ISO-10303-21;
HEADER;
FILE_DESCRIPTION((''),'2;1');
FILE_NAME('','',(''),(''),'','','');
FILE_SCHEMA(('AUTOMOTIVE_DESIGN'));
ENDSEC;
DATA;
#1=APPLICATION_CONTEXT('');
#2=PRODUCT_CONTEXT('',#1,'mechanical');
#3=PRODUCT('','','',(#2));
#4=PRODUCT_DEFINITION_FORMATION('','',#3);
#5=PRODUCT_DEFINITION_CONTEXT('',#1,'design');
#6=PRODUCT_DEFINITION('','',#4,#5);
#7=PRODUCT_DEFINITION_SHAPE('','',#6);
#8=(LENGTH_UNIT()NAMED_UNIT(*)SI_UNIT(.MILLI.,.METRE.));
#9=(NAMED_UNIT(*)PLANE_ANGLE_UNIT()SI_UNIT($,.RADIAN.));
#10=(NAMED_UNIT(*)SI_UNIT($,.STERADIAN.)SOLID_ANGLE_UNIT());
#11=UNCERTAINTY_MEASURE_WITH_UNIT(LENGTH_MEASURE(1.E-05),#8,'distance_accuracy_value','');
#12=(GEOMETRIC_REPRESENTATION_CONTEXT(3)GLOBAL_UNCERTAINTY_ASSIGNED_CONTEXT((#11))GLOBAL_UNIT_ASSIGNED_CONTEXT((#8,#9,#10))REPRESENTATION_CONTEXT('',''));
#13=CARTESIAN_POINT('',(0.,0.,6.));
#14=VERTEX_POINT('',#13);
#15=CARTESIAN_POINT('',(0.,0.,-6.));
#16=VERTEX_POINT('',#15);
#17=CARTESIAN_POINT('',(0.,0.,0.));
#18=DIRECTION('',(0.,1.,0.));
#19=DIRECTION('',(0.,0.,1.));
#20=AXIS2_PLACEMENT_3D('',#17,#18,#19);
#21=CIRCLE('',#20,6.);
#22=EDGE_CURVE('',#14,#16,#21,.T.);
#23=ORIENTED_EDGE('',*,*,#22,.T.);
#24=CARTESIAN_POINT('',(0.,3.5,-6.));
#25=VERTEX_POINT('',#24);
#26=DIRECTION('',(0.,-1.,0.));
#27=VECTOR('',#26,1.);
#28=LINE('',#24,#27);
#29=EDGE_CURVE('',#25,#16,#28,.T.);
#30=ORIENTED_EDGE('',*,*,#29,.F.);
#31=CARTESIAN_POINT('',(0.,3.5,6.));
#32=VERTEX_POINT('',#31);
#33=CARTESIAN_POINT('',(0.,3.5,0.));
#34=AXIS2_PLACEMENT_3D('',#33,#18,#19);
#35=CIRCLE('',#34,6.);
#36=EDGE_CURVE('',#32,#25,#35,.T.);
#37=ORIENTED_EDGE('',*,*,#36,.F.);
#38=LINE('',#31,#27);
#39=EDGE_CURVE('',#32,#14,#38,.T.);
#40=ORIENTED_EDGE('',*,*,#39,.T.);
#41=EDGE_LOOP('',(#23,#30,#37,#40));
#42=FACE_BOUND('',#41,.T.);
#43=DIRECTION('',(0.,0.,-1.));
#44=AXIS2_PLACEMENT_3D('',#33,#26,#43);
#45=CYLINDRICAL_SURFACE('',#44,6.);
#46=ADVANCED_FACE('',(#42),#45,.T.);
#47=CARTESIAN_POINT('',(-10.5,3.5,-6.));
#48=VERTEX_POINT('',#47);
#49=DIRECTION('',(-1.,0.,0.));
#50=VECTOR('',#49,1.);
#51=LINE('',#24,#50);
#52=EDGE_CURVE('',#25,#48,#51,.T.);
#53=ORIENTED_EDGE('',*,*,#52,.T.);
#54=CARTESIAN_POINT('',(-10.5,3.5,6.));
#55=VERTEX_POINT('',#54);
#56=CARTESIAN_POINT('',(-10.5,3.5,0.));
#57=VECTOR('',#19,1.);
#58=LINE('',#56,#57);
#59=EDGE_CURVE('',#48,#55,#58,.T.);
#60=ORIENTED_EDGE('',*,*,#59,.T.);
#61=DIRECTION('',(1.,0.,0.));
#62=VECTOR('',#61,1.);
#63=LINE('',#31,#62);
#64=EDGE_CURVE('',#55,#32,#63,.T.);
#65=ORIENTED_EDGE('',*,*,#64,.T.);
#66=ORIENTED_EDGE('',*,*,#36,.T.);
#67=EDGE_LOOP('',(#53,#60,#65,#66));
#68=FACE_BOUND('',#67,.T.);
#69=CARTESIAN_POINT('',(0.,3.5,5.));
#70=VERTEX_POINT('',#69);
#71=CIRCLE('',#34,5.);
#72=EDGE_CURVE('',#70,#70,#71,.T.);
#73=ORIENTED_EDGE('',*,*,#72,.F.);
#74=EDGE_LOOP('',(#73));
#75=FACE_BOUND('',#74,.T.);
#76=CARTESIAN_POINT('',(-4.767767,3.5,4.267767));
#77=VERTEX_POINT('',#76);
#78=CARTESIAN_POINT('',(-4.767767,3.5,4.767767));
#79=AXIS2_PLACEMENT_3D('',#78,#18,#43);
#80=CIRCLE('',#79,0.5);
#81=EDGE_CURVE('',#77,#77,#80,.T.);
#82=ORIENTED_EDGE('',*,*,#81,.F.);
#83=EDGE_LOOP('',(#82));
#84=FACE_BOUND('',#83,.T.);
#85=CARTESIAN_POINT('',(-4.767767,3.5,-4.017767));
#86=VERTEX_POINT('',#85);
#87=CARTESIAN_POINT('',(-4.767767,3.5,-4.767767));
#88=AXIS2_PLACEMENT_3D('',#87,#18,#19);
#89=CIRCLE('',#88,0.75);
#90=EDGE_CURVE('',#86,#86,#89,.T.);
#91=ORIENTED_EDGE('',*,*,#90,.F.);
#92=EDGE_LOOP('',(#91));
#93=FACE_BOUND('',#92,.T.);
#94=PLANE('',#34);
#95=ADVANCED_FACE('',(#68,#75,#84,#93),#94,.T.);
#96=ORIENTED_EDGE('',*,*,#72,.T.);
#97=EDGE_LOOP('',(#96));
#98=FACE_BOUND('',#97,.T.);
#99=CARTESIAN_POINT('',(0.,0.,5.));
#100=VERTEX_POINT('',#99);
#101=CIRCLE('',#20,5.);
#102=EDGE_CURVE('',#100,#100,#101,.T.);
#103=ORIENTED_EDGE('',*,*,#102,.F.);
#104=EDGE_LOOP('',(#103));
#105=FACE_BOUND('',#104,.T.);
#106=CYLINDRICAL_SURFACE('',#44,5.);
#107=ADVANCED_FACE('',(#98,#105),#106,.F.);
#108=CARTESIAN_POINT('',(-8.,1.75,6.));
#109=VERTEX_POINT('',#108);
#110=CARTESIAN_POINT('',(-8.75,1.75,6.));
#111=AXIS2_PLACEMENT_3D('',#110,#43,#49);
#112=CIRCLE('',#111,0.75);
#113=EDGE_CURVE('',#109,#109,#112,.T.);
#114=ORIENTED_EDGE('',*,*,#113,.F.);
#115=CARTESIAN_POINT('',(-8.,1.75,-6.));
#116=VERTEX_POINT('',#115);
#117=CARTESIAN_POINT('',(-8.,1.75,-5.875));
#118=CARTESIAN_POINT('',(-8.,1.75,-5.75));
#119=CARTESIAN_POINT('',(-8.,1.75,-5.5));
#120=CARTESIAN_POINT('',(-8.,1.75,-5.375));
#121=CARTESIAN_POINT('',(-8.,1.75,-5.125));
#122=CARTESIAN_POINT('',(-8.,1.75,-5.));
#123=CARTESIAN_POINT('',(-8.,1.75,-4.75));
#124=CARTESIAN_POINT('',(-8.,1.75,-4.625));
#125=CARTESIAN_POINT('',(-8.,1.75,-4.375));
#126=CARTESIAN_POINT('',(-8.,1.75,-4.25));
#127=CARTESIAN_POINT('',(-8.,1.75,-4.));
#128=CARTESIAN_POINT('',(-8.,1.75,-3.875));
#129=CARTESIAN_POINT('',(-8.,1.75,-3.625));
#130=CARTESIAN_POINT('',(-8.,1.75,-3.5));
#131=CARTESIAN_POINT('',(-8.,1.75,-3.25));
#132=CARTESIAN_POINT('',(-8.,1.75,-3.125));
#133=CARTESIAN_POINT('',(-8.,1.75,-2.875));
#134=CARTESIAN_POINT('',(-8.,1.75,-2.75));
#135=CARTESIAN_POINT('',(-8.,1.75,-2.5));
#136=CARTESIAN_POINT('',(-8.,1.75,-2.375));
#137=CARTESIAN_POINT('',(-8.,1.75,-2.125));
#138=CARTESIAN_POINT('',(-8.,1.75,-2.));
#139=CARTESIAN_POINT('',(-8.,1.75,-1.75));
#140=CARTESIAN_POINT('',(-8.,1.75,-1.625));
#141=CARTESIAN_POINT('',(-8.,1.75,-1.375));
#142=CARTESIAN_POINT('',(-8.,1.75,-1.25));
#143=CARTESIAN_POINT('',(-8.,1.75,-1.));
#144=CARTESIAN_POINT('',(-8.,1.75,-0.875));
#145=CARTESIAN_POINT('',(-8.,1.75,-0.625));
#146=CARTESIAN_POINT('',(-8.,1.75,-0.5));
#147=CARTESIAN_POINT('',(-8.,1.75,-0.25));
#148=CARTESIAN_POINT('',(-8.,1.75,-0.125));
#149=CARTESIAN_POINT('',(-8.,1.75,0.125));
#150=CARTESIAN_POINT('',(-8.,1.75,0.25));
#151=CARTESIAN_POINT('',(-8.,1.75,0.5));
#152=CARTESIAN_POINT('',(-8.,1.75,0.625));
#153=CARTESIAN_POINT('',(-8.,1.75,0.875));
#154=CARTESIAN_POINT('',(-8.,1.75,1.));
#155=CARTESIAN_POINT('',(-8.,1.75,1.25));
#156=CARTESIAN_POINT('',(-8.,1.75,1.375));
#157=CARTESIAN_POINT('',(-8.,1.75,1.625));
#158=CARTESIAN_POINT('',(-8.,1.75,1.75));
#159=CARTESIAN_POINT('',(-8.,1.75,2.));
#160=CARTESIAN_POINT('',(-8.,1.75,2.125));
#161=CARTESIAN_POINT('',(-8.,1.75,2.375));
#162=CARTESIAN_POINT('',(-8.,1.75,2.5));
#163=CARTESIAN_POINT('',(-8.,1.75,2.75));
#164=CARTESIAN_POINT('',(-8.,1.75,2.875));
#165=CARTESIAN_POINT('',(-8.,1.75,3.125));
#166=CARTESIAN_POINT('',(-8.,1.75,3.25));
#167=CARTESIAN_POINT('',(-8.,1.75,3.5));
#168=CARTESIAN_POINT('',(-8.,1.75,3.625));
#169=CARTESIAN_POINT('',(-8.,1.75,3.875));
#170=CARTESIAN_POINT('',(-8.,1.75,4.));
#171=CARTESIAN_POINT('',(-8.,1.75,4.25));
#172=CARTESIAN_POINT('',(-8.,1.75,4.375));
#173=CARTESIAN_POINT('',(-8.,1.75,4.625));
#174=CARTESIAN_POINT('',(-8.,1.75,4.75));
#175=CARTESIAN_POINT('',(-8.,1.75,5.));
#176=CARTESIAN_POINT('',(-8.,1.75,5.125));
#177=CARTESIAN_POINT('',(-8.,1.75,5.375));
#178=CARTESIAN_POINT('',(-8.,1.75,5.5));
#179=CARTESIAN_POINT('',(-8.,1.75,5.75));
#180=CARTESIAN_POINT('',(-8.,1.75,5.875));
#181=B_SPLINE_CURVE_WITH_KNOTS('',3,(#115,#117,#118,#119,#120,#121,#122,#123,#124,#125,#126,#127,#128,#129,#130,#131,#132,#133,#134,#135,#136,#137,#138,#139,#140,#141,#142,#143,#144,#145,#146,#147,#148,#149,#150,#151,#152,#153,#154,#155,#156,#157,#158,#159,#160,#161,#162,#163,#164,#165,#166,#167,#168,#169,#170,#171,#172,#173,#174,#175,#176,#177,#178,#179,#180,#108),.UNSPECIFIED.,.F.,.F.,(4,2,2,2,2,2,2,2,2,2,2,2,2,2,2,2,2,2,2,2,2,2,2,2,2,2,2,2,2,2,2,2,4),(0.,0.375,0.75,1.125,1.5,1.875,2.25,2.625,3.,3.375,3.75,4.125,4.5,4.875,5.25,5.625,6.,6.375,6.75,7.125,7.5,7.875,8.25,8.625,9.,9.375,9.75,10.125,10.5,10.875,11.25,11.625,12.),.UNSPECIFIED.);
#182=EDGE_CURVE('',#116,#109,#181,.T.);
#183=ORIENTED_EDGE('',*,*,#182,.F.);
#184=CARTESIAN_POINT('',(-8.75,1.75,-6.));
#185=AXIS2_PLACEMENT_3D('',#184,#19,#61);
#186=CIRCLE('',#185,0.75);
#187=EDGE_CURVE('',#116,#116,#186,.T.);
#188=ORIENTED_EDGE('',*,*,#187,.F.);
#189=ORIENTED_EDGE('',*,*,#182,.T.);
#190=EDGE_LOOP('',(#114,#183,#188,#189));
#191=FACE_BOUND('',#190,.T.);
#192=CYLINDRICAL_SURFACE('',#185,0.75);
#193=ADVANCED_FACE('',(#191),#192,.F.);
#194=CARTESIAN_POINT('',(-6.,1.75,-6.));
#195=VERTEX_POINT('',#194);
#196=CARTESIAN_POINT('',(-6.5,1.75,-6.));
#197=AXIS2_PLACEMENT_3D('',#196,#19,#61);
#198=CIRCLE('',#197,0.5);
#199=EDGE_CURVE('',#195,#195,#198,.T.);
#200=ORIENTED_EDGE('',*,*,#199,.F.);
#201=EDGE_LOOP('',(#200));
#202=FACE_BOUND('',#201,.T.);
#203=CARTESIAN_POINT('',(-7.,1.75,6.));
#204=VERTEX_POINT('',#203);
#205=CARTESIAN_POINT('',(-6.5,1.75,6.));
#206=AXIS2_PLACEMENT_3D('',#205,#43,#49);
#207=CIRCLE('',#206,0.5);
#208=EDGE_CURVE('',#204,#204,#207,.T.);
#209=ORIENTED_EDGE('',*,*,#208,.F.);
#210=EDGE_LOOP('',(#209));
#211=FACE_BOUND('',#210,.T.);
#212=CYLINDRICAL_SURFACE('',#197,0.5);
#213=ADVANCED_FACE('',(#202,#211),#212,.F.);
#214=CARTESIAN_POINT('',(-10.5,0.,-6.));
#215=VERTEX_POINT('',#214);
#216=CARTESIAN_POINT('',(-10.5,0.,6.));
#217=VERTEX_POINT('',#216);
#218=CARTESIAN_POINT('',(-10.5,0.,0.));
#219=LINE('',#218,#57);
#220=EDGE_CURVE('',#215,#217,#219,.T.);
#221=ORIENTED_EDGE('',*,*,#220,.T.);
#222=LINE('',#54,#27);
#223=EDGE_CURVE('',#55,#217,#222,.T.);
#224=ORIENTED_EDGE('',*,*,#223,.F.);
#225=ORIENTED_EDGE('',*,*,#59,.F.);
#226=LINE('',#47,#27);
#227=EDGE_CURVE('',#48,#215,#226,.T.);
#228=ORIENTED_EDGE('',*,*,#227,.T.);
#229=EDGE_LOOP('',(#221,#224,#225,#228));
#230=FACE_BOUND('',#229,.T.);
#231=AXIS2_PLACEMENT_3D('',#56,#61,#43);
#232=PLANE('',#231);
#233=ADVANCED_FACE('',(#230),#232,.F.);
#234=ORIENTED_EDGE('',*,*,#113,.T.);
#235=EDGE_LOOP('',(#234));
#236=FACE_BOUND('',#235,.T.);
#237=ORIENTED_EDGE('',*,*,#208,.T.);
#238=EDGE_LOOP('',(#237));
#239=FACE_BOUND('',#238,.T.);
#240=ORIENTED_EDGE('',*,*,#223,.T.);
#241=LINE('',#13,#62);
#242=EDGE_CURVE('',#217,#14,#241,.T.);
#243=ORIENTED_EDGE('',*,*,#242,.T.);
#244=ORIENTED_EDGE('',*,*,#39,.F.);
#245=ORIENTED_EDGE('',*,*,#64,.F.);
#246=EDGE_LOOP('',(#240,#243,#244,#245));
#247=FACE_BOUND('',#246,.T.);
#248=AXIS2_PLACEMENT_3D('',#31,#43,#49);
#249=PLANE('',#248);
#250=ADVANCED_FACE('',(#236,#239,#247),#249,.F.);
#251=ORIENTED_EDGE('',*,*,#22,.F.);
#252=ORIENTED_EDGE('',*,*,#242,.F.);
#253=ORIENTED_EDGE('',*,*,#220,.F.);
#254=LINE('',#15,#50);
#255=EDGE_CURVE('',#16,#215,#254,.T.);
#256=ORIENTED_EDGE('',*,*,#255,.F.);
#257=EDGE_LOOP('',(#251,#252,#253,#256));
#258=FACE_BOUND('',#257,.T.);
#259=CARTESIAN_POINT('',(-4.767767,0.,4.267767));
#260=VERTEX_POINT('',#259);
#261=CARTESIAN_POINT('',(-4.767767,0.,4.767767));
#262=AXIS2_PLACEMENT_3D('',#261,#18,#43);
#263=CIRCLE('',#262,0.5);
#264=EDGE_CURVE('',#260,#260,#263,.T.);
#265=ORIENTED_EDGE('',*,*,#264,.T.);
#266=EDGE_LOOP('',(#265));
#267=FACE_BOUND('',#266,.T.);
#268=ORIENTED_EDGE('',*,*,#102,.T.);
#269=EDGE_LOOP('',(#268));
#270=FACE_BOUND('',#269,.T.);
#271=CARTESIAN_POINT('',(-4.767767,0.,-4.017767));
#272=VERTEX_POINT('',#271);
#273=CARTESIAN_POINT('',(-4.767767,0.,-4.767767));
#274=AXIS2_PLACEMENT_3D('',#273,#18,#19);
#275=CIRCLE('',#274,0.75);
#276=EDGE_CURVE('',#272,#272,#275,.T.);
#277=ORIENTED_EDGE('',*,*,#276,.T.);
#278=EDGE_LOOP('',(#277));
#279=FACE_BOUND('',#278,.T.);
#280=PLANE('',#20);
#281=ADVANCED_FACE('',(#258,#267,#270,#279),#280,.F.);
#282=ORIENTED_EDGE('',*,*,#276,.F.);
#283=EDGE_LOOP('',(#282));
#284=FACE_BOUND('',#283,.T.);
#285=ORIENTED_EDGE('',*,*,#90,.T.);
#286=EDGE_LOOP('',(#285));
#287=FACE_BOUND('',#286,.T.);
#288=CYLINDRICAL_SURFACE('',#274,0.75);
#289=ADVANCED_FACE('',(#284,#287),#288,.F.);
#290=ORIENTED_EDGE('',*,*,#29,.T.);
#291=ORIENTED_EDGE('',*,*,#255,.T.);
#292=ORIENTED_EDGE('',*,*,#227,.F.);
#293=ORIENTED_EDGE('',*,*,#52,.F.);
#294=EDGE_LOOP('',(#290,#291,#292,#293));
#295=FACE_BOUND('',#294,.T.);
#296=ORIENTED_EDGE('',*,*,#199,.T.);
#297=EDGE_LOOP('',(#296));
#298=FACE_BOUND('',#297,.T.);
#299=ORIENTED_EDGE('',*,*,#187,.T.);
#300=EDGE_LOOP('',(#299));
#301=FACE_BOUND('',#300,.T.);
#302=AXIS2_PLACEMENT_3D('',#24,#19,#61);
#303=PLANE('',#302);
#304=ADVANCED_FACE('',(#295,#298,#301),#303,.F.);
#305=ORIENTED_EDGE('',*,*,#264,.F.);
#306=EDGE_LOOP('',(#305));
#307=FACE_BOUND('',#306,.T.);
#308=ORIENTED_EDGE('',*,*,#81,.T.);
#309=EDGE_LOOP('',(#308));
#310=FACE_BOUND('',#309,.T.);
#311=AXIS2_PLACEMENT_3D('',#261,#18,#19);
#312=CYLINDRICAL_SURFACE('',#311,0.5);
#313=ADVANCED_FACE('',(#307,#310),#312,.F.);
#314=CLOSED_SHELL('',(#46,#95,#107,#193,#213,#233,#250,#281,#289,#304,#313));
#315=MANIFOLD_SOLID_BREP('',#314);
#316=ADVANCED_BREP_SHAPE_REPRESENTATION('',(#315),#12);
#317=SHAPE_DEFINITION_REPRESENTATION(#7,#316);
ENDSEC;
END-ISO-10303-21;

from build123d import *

# Parameters (mm, degrees)
SKETCH_1_W               = 1
SKETCH_1_H               = 12
SKETCH_1_W_2             = 1.5
SKETCH_1_R               = 6
SKETCH_1_R_2             = 5
EXTRUDE_1_DEPTH          = 3.5
CUT_EXTRUDE_1_DEPTH      = 17.324827717
CUT_EXTRUDE_1_DEPTH_BACK = 17.324827717
SKETCH_2_R               = 0.75
SKETCH_2_R_2             = 0.5
SKETCH_3_R               = 0.75
SKETCH_3_R_2             = 0.5
CUT_EXTRUDE_2_DEPTH      = 3.5


with BuildPart() as part:
    # Эскиз1 → Бобышка-Вытянуть1 (new body)
    # profile 1 of 7: a face of its own
    with BuildSketch(Plane(origin=(0, 0, 0), x_dir=(1, 0, 0), z_dir=(0, 1, 0))):
        with Locations((-10, 0)):
            Rectangle(SKETCH_1_W, SKETCH_1_H)
    # profile 2 of 7: a face of its own
    with BuildSketch(Plane(origin=(0, 0, 0), x_dir=(1, 0, 0), z_dir=(0, 1, 0))):
        with Locations((-8.75, 0)):
            Rectangle(SKETCH_1_W_2, SKETCH_1_H)
    # profile 3 of 7: a face of its own
    with BuildSketch(Plane(origin=(0, 0, 0), x_dir=(1, 0, 0), z_dir=(0, 1, 0))):
        with Locations((-7.5, 0)):
            Rectangle(SKETCH_1_W, SKETCH_1_H)
    # profile 4 of 7: a face of its own
    with BuildSketch(Plane(origin=(0, 0, 0), x_dir=(1, 0, 0), z_dir=(0, 1, 0))):
        with Locations((-6.5, 0)):
            Rectangle(SKETCH_1_W, SKETCH_1_H)
    # profile 5 of 7: a face of its own
    with BuildSketch(Plane(origin=(0, 0, 0), x_dir=(1, 0, 0), z_dir=(0, 1, 0))):
        with BuildLine():
            Line((-6, -5e-09), (-6, -6))
            Line((-6, -6), (0, -6))
            ThreePointArc((0, -6), (-4.242640685, -4.242640689), (-6, -5e-09))
        make_face()
    # profile 6 of 7: a face of its own
    with BuildSketch(Plane(origin=(0, 0, 0), x_dir=(1, 0, 0), z_dir=(0, 1, 0))):
        Circle(SKETCH_1_R)
        with Locations(Location((0, 0, 0), (0, 0, 270))):
            Circle(SKETCH_1_R_2, mode=Mode.SUBTRACT)
    # profile 7 of 7: a face of its own
    with BuildSketch(Plane(origin=(0, 0, 0), x_dir=(1, 0, 0), z_dir=(0, 1, 0))):
        with BuildLine():
            Line((-6, 6), (-6, -5e-09))
            ThreePointArc((-6, -5e-09), (-4.242640689, 4.242640685), (0, 6))
            Line((0, 6), (-6, 6))
        make_face()
    extrude(amount=EXTRUDE_1_DEPTH)

    # Эскиз2 → Вырез-Вытянуть1 (cut, two sides: drawn at the far end of the back side and taken through both)
    with BuildSketch(Plane.XY.offset(6).offset(-CUT_EXTRUDE_1_DEPTH_BACK)):
        with Locations((-8.75, 1.75)):
            Circle(SKETCH_2_R)
        with Locations((-6.5, 1.75)):
            Circle(SKETCH_2_R_2)
    extrude(amount=CUT_EXTRUDE_1_DEPTH + CUT_EXTRUDE_1_DEPTH_BACK, mode=Mode.SUBTRACT)

    # Эскиз3 → Вырез-Вытянуть2 (cut)
    with BuildSketch(Plane(origin=(0, 3.5, 0), x_dir=(1, 0, 0), z_dir=(0, 1, 0))):
        with Locations(Location((-4.767766953, 4.767766953, 0), (0, 0, 270))):
            Circle(SKETCH_3_R)
        with Locations(Location((-4.767766953, -4.767766953, 0), (0, 0, 90))):
            Circle(SKETCH_3_R_2)
    extrude(amount=-CUT_EXTRUDE_2_DEPTH, mode=Mode.SUBTRACT)


solid = part.part
